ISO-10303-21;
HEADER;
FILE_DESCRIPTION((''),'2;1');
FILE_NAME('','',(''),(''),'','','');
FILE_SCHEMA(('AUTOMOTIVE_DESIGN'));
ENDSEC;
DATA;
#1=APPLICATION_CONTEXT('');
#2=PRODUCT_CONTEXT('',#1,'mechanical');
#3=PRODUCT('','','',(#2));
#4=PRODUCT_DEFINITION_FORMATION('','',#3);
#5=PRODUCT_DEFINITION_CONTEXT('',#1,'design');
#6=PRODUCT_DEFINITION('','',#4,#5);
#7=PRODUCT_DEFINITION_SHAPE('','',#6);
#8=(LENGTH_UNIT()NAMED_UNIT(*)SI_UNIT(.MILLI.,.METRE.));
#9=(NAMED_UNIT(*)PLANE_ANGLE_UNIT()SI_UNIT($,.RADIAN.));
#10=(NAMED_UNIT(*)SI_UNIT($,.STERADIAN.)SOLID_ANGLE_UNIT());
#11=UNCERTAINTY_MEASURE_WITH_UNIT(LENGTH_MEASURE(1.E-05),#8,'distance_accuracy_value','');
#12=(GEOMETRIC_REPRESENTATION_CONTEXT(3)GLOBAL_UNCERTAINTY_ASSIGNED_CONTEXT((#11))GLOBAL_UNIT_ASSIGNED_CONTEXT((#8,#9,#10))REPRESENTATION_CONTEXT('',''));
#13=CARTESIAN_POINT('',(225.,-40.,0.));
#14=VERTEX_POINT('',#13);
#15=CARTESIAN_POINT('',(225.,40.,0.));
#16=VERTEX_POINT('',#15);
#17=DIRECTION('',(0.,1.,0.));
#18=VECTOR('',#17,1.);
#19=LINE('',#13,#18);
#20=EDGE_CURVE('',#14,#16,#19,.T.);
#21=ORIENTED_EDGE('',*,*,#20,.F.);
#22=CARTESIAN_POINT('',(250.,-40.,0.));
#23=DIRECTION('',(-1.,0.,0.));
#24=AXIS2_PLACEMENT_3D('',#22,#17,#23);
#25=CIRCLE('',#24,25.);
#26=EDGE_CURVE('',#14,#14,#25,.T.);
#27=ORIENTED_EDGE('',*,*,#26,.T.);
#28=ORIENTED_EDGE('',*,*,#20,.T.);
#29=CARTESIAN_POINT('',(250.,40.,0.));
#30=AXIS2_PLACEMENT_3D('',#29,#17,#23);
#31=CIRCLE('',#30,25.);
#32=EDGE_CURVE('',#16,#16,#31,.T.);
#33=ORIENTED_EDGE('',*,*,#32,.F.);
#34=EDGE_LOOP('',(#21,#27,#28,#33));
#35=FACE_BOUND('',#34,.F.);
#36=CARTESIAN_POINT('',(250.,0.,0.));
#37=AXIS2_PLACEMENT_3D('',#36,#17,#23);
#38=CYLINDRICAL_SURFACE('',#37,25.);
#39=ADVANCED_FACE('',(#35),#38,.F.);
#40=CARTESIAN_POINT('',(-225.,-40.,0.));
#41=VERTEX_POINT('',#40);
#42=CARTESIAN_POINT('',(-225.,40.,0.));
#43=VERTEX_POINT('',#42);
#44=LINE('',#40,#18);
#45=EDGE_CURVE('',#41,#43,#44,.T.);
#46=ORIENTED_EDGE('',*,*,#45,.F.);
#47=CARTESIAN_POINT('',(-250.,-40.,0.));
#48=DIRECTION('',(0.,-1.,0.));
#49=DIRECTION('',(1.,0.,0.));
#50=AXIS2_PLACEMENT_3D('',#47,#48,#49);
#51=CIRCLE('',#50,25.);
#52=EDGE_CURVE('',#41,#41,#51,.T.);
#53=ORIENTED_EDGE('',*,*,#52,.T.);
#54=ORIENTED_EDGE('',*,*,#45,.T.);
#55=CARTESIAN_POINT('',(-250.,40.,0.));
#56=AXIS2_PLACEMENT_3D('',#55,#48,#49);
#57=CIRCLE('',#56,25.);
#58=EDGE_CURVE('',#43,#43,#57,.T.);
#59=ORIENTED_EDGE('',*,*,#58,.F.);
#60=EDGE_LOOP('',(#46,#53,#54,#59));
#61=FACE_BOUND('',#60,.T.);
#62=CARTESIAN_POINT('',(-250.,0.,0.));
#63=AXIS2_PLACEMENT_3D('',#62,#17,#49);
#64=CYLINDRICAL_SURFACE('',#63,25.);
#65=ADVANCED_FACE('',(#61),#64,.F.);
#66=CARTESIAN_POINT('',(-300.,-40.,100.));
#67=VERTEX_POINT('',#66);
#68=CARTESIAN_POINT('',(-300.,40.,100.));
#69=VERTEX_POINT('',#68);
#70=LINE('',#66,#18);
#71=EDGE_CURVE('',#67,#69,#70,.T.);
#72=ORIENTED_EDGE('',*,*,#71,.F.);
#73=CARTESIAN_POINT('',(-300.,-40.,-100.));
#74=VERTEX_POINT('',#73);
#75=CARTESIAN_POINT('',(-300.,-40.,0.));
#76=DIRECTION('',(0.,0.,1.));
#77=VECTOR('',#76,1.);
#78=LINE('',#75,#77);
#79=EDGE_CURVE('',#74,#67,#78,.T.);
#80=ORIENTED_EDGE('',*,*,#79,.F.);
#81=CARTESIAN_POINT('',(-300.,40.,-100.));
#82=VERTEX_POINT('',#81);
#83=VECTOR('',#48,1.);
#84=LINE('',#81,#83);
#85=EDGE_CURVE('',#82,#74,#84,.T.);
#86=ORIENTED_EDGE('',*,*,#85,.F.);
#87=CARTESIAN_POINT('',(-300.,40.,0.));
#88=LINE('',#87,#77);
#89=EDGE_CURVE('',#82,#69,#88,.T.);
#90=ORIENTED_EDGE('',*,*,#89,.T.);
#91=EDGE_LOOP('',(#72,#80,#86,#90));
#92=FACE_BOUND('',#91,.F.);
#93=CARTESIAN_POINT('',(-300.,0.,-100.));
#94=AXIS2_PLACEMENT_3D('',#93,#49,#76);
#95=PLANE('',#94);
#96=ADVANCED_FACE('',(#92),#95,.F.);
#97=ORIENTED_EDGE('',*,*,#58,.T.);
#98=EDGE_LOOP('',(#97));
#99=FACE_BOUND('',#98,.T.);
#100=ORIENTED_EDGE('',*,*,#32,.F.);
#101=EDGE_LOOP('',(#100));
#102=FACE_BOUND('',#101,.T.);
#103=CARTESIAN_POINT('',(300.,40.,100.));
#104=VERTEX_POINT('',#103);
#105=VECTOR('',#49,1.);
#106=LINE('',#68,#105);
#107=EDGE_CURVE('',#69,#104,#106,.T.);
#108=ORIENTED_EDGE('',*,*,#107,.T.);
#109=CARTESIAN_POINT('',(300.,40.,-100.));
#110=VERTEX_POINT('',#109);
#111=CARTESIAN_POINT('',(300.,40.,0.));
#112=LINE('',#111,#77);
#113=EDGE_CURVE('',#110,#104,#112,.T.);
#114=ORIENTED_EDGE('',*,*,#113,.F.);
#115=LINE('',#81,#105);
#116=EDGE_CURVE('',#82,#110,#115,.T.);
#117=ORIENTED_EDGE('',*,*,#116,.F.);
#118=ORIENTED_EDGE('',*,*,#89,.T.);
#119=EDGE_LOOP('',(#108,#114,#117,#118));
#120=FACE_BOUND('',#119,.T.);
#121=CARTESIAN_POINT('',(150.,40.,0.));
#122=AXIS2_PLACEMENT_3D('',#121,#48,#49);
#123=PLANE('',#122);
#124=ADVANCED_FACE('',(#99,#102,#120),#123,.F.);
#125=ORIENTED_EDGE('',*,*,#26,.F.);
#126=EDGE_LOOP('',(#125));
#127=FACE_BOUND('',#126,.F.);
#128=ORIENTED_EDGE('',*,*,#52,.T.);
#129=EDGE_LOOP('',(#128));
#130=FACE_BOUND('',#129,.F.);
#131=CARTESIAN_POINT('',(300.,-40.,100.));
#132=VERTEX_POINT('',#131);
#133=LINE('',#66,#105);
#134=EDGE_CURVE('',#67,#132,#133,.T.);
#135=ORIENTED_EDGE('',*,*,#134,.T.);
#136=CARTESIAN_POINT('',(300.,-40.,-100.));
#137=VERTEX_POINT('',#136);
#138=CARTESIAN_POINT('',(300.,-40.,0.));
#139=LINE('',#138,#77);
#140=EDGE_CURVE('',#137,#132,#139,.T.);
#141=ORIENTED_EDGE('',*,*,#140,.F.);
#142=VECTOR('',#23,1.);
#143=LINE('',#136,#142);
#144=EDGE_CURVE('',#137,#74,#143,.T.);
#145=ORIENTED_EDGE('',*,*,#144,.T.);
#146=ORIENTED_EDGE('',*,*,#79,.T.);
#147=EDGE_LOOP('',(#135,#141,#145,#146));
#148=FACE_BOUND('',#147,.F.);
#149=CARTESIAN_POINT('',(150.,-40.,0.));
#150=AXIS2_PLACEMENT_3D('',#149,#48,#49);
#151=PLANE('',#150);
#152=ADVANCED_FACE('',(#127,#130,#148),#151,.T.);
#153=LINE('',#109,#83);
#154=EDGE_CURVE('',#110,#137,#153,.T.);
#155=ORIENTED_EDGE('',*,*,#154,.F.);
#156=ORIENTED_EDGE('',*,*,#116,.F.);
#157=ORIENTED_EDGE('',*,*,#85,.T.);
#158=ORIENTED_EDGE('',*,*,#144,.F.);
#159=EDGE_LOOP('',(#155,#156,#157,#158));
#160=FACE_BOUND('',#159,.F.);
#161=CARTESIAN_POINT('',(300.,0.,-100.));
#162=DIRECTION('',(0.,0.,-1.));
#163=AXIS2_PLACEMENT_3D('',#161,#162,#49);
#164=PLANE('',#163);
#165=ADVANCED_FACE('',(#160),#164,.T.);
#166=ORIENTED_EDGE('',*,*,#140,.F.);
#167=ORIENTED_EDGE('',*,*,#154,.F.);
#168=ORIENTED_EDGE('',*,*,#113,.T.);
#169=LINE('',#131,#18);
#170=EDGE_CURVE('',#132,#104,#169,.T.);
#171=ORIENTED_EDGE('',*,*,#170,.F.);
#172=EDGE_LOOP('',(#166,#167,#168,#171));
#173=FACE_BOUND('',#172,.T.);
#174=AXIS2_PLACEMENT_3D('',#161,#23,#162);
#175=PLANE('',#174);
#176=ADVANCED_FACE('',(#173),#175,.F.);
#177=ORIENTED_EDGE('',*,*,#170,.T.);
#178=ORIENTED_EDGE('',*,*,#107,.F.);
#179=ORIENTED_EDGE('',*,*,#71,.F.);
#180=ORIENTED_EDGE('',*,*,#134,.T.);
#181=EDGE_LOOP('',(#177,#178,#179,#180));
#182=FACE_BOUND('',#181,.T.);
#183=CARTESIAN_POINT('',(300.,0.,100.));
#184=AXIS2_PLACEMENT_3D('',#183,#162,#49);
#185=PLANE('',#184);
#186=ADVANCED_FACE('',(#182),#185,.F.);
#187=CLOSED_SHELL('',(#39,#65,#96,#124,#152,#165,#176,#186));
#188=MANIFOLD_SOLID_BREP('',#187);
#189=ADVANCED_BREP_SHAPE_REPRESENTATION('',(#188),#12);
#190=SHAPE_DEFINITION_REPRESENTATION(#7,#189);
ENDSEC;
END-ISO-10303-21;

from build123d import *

# Parameters (mm, degrees)
F0_W     = 300
F0_H     = 200
F0_R     = 25
F1_DEPTH = 40


with BuildPart() as f1:
    # F0 (on Front) → F1 (new body, symmetric)
    with BuildSketch(Plane.XZ):
        with Locations((-150, 0)):
            Rectangle(F0_W, F0_H)
        with Locations((-250, 0)):
            Circle(F0_R, mode=Mode.SUBTRACT)
    extrude(amount=F1_DEPTH, both=True)

    # F4: F1 across face


with BuildPart() as f2_1:
    # F2: instance of F1
    add(f1.part.mirror(Plane.YZ))


with BuildPart() as f1_1:
    add(f1.part)
    add(f1.part.mirror(Plane.YZ))


solid = f1_1.part
